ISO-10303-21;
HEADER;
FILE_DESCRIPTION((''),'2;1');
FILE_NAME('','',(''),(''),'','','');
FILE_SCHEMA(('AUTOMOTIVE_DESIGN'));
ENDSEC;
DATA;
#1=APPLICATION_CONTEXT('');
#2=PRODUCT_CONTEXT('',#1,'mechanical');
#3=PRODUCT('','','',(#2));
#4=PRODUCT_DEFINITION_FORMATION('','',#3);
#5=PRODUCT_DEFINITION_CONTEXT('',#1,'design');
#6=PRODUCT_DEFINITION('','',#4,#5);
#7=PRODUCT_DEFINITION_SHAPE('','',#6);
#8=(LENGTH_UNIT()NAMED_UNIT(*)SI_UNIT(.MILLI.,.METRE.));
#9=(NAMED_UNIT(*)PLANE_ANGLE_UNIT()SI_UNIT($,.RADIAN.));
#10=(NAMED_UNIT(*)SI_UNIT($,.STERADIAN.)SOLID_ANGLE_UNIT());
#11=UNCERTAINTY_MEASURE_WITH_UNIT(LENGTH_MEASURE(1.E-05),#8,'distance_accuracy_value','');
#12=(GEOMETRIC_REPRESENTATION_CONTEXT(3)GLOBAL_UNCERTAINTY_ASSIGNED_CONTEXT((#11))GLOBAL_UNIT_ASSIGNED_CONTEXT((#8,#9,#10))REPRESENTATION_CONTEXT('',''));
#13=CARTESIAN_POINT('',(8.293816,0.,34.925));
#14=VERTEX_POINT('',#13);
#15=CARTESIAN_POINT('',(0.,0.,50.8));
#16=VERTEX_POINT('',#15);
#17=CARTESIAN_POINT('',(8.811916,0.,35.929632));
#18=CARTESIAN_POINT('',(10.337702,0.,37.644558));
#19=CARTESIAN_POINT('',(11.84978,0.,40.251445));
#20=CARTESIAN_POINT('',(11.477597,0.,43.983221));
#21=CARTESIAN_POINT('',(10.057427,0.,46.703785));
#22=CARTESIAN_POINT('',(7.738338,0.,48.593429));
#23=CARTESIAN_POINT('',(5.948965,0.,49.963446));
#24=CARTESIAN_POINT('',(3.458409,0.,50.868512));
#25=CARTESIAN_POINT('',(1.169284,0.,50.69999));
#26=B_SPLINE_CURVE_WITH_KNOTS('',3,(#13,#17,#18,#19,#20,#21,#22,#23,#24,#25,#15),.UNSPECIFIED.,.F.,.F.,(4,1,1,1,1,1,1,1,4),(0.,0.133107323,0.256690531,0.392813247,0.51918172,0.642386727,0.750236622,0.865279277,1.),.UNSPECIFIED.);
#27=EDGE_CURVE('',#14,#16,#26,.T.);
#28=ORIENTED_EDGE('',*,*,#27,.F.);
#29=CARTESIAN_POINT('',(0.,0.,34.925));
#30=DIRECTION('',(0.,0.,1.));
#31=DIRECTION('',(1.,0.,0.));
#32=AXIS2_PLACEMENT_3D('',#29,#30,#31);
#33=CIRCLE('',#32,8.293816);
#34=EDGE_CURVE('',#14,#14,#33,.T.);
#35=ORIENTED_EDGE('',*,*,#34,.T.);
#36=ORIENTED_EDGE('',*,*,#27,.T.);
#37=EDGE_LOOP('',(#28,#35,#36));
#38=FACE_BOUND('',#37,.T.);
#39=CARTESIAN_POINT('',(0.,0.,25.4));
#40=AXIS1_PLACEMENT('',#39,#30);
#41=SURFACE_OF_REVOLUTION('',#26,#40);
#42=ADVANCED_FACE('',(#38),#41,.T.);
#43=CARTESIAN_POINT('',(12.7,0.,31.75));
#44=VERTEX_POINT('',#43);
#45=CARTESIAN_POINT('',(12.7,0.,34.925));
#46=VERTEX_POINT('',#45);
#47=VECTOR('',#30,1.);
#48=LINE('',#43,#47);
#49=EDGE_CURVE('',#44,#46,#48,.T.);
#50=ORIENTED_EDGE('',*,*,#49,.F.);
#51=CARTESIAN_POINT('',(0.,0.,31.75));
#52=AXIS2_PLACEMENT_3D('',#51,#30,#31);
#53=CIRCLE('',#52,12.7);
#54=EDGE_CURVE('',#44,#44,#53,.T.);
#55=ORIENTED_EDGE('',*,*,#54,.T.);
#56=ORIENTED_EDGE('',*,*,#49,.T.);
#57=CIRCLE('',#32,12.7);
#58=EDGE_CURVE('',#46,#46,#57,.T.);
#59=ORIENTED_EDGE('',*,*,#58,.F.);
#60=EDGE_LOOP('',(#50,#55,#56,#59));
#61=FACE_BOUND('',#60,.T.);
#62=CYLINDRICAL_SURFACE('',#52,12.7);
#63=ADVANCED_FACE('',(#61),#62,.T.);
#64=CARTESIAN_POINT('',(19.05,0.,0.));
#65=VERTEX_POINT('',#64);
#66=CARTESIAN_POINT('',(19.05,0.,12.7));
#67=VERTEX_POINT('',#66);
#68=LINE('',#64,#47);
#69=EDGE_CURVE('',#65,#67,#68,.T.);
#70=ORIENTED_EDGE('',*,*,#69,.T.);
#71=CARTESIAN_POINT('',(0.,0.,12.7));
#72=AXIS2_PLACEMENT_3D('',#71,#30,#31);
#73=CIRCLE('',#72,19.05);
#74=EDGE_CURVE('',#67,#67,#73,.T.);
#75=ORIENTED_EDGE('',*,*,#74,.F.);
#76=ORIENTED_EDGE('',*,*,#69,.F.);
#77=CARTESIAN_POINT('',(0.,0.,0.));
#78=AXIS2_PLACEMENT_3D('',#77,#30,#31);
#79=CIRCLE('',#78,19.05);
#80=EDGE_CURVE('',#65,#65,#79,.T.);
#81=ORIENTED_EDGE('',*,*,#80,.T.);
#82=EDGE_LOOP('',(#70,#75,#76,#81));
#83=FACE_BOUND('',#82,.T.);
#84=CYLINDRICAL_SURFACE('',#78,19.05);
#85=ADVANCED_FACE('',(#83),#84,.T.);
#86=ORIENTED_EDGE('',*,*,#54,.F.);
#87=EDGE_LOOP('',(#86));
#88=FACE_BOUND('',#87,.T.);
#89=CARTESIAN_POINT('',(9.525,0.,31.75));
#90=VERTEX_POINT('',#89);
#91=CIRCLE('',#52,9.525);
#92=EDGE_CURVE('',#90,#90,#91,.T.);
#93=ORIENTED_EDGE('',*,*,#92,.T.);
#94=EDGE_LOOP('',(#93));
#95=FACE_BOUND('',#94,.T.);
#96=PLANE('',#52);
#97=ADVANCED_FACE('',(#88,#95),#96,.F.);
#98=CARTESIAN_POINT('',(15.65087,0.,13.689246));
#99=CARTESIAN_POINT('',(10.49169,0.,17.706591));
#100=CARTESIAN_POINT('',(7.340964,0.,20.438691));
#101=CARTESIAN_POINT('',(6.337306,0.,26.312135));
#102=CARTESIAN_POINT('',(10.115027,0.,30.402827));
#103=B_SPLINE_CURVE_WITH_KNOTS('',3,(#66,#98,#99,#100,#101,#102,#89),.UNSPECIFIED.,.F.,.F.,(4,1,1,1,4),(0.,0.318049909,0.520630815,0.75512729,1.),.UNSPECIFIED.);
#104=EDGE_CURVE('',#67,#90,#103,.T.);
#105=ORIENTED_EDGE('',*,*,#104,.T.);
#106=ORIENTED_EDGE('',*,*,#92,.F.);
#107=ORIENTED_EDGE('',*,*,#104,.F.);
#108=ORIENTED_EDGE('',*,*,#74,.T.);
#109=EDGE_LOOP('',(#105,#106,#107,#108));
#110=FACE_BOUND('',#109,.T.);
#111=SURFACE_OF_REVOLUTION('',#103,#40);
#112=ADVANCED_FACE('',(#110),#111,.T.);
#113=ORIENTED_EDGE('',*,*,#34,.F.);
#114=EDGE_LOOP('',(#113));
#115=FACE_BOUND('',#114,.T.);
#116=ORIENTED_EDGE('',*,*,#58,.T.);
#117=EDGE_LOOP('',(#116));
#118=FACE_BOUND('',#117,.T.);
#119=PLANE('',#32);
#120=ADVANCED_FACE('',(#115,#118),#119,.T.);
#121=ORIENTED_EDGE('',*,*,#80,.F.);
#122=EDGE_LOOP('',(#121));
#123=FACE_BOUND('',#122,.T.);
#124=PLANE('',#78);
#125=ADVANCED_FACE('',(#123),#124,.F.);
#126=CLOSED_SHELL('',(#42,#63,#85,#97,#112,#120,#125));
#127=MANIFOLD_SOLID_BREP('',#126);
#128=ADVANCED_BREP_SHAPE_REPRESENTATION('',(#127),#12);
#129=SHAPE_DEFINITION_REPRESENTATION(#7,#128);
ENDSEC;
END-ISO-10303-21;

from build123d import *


with BuildPart() as f1:
    # F0 (on Front) → F1 (revolve)
    with BuildSketch(Plane.XZ):
        Polygon((0, 34.925), (0, 31.75), (9.525, 31.75), (12.7, 31.75), (12.7, 34.925), (8.2938163461, 34.925), align=None)
        with BuildLine():
            Line((0, 50.8), (0, 34.925))
            Line((0, 34.925), (8.2938163461, 34.925))
            add(Edge.make_bspline(
                [(8.2938163461, 34.925), (8.8119155958, 35.9296320353), (10.3377018861, 37.6445575669), (11.8497804306, 40.251445047), (11.4775968675, 43.983221376), (10.0574266195, 46.7037851398), (7.7383380098, 48.5934290358), (5.9489654676, 49.9634460717), (3.4584093672, 50.868512047), (1.1692841349, 50.6999896772), (0, 50.8)],
                knots=[0, 0, 0, 0, 0.1331073225, 0.2566905305, 0.3928132468, 0.5191817197, 0.6423867268, 0.7502366215, 0.865279277, 1, 1, 1, 1], degree=3))
        make_face()
        with BuildLine():
            Line((0, 31.75), (0, 0))
            Line((0, 0), (19.05, 0))
            Line((19.05, 0), (19.05, 12.7))
            add(Edge.make_bspline(
                [(19.05, 12.7), (15.6508699467, 13.689246051), (10.4916904552, 17.7065910039), (7.3409641587, 20.4386906172), (6.3373062495, 26.3121345815), (10.1150269054, 30.4028265886), (9.525, 31.75)],
                knots=[0, 0, 0, 0, 0.3180499089, 0.5206308145, 0.7551272901, 1, 1, 1, 1], degree=3))
            Line((9.525, 31.75), (0, 31.75))
        make_face()
    revolve(axis=Axis((0, 0, 25.4), (0, 0, 1)))


solid = f1.part
